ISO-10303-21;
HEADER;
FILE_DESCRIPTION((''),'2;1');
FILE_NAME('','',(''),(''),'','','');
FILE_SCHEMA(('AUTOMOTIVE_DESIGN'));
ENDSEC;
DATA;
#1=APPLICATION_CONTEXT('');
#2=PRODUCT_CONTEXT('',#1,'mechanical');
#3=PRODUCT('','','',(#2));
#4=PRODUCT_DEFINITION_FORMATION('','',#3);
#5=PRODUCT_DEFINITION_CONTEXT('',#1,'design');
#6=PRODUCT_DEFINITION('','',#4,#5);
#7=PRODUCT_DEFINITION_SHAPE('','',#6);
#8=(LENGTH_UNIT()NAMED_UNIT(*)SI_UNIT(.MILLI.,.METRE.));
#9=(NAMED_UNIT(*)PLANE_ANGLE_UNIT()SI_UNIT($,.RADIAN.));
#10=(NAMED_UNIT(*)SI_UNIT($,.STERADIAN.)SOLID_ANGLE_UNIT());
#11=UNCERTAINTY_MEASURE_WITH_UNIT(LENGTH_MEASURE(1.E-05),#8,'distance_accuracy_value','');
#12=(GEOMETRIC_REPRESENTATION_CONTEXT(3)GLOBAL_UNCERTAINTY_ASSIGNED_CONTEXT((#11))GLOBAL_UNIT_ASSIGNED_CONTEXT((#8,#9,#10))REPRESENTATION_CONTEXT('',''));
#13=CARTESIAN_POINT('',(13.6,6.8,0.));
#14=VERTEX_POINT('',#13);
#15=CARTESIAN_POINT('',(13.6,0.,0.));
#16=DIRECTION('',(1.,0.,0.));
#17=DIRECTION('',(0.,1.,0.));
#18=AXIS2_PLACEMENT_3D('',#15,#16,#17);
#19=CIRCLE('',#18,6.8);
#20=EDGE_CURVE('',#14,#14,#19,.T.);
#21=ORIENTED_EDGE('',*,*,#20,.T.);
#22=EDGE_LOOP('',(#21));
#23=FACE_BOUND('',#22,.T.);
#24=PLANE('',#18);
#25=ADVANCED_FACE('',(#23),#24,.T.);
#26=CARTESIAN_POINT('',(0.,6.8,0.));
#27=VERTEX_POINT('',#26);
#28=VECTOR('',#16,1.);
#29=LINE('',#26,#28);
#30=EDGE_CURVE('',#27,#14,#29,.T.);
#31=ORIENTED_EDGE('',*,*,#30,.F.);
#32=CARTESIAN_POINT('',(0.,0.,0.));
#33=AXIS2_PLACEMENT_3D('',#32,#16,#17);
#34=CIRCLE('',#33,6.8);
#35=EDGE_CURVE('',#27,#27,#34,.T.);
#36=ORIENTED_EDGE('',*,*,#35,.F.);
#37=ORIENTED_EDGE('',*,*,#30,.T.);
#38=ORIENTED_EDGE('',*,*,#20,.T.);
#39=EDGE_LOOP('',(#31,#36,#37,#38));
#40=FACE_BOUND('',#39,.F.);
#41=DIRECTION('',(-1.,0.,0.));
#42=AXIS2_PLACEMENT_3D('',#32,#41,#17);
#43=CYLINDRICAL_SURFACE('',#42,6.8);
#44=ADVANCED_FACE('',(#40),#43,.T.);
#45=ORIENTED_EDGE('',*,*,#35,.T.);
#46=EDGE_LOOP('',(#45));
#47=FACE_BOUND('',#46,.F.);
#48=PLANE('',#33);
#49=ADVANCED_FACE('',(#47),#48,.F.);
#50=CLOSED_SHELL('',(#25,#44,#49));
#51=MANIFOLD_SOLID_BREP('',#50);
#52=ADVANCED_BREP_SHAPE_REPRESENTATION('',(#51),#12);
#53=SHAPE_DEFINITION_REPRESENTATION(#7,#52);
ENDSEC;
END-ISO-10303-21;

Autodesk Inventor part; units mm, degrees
ref_plane "YZ Plane" through (0, 0, 0) normal (1, 0, 0) x (0, 1, 0)
ref_plane "XZ Plane" through (0, 0, 0) normal (0, 1, 0) x (-1, 0, 0)
ref_plane "XY Plane" through (0, 0, 0) normal (0, 0, 1) x (1, 0, 0)
sketch "Sketch1" plane through (0, 0, 0) normal (1, 0, 0) x (0, 1, 0)
  circle A0 centre (0, 0) radius 6.8
  dimension "d0" = 13.6
extrude "Extrusion1" add sketch "Sketch1" along normal blind 13.6
properties part number "Marble2"
